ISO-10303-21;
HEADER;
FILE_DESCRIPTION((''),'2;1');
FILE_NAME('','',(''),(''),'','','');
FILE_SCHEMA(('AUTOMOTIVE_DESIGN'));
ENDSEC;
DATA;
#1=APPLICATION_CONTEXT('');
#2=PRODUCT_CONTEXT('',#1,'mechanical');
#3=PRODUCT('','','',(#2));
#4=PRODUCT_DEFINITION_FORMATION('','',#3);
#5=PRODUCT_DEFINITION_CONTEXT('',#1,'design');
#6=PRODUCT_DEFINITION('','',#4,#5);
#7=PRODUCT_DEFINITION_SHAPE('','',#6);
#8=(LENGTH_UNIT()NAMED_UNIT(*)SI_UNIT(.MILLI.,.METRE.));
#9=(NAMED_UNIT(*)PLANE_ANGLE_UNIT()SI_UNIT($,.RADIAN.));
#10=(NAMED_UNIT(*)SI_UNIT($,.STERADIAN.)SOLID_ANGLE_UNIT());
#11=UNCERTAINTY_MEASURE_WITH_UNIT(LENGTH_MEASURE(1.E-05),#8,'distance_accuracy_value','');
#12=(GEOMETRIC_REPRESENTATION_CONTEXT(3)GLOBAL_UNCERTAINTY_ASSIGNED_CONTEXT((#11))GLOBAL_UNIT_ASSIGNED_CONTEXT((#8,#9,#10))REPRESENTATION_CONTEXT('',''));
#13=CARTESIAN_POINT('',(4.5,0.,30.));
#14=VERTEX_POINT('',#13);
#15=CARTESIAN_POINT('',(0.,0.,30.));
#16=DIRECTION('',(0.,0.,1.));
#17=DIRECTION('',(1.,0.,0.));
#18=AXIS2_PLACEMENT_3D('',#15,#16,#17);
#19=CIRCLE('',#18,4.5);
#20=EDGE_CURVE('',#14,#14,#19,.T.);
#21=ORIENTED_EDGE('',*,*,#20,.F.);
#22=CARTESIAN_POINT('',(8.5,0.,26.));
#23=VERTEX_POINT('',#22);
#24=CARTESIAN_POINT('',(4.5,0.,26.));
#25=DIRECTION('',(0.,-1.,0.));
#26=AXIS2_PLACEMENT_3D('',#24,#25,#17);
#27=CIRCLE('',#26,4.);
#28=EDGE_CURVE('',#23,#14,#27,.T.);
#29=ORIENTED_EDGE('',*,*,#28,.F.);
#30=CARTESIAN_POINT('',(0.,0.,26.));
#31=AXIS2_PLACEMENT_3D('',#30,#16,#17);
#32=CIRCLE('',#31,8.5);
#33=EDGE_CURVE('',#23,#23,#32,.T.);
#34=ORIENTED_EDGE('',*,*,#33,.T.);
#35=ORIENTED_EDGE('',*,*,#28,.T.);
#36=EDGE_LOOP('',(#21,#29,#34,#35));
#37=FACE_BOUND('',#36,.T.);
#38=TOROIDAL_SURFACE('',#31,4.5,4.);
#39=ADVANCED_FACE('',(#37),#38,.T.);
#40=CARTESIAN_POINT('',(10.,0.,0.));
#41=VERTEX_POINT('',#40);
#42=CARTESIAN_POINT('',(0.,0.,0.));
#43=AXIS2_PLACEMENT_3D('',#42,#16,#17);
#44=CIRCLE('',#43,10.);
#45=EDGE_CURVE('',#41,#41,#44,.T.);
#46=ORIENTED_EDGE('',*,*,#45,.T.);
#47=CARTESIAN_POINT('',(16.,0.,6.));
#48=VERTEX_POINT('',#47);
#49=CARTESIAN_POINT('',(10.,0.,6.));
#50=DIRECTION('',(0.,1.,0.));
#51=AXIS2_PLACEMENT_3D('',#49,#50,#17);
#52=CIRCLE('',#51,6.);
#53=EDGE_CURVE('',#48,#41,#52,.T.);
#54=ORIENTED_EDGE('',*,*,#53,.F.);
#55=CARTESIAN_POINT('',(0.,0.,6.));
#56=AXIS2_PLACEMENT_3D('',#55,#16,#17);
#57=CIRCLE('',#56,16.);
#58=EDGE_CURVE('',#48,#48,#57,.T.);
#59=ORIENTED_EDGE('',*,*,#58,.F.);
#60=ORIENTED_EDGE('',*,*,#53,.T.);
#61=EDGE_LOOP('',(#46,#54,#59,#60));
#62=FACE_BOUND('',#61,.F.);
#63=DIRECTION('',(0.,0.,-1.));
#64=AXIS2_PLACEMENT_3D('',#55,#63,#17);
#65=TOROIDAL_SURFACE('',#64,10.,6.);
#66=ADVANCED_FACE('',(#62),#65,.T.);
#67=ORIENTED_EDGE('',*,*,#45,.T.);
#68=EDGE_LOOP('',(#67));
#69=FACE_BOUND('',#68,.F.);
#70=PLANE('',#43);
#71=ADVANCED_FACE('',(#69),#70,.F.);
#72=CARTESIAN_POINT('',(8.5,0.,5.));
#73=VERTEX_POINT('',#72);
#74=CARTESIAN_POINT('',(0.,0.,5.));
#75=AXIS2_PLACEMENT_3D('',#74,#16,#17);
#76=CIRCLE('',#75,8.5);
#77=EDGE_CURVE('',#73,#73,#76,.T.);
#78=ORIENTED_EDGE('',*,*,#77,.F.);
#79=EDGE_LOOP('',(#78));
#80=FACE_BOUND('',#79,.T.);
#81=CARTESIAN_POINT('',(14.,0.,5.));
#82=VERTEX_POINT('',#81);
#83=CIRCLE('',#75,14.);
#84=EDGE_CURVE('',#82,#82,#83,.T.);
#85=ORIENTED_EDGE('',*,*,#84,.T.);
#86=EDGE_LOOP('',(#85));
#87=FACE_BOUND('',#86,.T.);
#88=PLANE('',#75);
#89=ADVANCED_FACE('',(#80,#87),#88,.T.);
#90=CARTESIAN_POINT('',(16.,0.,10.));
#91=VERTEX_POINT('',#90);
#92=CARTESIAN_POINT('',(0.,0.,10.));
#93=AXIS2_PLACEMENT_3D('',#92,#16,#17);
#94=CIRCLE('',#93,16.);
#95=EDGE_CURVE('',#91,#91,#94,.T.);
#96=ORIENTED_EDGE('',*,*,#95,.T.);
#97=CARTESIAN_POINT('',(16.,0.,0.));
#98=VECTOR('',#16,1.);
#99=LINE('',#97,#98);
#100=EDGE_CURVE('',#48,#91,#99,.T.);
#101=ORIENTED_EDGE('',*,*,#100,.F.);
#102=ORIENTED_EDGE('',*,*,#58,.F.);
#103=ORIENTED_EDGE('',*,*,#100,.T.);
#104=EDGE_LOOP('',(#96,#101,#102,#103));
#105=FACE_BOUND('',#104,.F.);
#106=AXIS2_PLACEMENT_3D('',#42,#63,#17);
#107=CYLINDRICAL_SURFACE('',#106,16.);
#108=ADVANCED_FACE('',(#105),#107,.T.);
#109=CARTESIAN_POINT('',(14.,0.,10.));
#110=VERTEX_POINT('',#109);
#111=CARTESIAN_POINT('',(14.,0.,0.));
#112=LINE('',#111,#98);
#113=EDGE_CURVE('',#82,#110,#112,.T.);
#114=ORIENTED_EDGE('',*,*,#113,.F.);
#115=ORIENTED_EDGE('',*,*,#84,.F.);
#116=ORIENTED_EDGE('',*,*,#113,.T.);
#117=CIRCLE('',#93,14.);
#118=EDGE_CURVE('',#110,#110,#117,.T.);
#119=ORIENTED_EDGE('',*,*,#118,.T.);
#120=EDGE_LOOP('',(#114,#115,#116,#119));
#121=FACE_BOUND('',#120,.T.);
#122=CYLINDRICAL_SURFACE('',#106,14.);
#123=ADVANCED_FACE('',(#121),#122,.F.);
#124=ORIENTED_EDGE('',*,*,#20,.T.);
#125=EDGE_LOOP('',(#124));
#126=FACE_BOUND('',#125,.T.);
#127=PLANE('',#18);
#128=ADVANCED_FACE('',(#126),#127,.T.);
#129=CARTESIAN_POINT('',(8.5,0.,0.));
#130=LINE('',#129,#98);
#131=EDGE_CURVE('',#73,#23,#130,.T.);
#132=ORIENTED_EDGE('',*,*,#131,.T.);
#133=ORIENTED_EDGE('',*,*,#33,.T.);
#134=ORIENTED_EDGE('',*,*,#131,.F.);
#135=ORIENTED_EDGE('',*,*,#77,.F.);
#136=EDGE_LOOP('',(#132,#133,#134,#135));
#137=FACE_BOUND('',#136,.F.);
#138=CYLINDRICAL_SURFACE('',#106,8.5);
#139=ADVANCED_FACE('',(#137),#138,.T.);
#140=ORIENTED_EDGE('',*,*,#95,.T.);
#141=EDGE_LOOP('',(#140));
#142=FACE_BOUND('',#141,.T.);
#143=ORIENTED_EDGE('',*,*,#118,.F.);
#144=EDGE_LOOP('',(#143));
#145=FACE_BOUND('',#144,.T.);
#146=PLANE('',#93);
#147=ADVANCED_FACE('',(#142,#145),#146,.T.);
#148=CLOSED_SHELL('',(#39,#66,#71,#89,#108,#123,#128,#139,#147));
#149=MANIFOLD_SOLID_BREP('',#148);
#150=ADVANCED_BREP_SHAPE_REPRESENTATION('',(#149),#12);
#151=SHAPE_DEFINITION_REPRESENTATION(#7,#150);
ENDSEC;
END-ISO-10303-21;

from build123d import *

# Parameters (mm, degrees)
F0_R     = 8.5
F1_DEPTH = 30
F0_R_2   = 14
F2_DEPTH = 5
F0_R_3   = 16
F3_DEPTH = 10
F4_R     = 4
F5_R     = 6


with BuildPart() as f1:
    # F0 (on Top) → F1 (new body)
    with BuildSketch(Plane.XY):
        Circle(F0_R)
    extrude(amount=F1_DEPTH)

    # F0 (on Top) → F2 (join)
    with BuildSketch(Plane.XY):
        Circle(F0_R_2)
        Circle(F0_R, mode=Mode.SUBTRACT)
    extrude(amount=F2_DEPTH)

    # F0 (on Top) → F3 (join)
    with BuildSketch(Plane.XY):
        Circle(F0_R_3)
        Circle(F0_R_2, mode=Mode.SUBTRACT)
    extrude(amount=F3_DEPTH)

    # F4
    f4_edges = [f1.edges().sort_by_distance(p)[0] for p in [
        (-8.5, 0, 30),
    ]]
    fillet(f4_edges, radius=F4_R)

    # F5
    f5_edges = [f1.edges().sort_by_distance(p)[0] for p in [
        (-16, 0, 0),
    ]]
    fillet(f5_edges, radius=F5_R)


solid = f1.part
